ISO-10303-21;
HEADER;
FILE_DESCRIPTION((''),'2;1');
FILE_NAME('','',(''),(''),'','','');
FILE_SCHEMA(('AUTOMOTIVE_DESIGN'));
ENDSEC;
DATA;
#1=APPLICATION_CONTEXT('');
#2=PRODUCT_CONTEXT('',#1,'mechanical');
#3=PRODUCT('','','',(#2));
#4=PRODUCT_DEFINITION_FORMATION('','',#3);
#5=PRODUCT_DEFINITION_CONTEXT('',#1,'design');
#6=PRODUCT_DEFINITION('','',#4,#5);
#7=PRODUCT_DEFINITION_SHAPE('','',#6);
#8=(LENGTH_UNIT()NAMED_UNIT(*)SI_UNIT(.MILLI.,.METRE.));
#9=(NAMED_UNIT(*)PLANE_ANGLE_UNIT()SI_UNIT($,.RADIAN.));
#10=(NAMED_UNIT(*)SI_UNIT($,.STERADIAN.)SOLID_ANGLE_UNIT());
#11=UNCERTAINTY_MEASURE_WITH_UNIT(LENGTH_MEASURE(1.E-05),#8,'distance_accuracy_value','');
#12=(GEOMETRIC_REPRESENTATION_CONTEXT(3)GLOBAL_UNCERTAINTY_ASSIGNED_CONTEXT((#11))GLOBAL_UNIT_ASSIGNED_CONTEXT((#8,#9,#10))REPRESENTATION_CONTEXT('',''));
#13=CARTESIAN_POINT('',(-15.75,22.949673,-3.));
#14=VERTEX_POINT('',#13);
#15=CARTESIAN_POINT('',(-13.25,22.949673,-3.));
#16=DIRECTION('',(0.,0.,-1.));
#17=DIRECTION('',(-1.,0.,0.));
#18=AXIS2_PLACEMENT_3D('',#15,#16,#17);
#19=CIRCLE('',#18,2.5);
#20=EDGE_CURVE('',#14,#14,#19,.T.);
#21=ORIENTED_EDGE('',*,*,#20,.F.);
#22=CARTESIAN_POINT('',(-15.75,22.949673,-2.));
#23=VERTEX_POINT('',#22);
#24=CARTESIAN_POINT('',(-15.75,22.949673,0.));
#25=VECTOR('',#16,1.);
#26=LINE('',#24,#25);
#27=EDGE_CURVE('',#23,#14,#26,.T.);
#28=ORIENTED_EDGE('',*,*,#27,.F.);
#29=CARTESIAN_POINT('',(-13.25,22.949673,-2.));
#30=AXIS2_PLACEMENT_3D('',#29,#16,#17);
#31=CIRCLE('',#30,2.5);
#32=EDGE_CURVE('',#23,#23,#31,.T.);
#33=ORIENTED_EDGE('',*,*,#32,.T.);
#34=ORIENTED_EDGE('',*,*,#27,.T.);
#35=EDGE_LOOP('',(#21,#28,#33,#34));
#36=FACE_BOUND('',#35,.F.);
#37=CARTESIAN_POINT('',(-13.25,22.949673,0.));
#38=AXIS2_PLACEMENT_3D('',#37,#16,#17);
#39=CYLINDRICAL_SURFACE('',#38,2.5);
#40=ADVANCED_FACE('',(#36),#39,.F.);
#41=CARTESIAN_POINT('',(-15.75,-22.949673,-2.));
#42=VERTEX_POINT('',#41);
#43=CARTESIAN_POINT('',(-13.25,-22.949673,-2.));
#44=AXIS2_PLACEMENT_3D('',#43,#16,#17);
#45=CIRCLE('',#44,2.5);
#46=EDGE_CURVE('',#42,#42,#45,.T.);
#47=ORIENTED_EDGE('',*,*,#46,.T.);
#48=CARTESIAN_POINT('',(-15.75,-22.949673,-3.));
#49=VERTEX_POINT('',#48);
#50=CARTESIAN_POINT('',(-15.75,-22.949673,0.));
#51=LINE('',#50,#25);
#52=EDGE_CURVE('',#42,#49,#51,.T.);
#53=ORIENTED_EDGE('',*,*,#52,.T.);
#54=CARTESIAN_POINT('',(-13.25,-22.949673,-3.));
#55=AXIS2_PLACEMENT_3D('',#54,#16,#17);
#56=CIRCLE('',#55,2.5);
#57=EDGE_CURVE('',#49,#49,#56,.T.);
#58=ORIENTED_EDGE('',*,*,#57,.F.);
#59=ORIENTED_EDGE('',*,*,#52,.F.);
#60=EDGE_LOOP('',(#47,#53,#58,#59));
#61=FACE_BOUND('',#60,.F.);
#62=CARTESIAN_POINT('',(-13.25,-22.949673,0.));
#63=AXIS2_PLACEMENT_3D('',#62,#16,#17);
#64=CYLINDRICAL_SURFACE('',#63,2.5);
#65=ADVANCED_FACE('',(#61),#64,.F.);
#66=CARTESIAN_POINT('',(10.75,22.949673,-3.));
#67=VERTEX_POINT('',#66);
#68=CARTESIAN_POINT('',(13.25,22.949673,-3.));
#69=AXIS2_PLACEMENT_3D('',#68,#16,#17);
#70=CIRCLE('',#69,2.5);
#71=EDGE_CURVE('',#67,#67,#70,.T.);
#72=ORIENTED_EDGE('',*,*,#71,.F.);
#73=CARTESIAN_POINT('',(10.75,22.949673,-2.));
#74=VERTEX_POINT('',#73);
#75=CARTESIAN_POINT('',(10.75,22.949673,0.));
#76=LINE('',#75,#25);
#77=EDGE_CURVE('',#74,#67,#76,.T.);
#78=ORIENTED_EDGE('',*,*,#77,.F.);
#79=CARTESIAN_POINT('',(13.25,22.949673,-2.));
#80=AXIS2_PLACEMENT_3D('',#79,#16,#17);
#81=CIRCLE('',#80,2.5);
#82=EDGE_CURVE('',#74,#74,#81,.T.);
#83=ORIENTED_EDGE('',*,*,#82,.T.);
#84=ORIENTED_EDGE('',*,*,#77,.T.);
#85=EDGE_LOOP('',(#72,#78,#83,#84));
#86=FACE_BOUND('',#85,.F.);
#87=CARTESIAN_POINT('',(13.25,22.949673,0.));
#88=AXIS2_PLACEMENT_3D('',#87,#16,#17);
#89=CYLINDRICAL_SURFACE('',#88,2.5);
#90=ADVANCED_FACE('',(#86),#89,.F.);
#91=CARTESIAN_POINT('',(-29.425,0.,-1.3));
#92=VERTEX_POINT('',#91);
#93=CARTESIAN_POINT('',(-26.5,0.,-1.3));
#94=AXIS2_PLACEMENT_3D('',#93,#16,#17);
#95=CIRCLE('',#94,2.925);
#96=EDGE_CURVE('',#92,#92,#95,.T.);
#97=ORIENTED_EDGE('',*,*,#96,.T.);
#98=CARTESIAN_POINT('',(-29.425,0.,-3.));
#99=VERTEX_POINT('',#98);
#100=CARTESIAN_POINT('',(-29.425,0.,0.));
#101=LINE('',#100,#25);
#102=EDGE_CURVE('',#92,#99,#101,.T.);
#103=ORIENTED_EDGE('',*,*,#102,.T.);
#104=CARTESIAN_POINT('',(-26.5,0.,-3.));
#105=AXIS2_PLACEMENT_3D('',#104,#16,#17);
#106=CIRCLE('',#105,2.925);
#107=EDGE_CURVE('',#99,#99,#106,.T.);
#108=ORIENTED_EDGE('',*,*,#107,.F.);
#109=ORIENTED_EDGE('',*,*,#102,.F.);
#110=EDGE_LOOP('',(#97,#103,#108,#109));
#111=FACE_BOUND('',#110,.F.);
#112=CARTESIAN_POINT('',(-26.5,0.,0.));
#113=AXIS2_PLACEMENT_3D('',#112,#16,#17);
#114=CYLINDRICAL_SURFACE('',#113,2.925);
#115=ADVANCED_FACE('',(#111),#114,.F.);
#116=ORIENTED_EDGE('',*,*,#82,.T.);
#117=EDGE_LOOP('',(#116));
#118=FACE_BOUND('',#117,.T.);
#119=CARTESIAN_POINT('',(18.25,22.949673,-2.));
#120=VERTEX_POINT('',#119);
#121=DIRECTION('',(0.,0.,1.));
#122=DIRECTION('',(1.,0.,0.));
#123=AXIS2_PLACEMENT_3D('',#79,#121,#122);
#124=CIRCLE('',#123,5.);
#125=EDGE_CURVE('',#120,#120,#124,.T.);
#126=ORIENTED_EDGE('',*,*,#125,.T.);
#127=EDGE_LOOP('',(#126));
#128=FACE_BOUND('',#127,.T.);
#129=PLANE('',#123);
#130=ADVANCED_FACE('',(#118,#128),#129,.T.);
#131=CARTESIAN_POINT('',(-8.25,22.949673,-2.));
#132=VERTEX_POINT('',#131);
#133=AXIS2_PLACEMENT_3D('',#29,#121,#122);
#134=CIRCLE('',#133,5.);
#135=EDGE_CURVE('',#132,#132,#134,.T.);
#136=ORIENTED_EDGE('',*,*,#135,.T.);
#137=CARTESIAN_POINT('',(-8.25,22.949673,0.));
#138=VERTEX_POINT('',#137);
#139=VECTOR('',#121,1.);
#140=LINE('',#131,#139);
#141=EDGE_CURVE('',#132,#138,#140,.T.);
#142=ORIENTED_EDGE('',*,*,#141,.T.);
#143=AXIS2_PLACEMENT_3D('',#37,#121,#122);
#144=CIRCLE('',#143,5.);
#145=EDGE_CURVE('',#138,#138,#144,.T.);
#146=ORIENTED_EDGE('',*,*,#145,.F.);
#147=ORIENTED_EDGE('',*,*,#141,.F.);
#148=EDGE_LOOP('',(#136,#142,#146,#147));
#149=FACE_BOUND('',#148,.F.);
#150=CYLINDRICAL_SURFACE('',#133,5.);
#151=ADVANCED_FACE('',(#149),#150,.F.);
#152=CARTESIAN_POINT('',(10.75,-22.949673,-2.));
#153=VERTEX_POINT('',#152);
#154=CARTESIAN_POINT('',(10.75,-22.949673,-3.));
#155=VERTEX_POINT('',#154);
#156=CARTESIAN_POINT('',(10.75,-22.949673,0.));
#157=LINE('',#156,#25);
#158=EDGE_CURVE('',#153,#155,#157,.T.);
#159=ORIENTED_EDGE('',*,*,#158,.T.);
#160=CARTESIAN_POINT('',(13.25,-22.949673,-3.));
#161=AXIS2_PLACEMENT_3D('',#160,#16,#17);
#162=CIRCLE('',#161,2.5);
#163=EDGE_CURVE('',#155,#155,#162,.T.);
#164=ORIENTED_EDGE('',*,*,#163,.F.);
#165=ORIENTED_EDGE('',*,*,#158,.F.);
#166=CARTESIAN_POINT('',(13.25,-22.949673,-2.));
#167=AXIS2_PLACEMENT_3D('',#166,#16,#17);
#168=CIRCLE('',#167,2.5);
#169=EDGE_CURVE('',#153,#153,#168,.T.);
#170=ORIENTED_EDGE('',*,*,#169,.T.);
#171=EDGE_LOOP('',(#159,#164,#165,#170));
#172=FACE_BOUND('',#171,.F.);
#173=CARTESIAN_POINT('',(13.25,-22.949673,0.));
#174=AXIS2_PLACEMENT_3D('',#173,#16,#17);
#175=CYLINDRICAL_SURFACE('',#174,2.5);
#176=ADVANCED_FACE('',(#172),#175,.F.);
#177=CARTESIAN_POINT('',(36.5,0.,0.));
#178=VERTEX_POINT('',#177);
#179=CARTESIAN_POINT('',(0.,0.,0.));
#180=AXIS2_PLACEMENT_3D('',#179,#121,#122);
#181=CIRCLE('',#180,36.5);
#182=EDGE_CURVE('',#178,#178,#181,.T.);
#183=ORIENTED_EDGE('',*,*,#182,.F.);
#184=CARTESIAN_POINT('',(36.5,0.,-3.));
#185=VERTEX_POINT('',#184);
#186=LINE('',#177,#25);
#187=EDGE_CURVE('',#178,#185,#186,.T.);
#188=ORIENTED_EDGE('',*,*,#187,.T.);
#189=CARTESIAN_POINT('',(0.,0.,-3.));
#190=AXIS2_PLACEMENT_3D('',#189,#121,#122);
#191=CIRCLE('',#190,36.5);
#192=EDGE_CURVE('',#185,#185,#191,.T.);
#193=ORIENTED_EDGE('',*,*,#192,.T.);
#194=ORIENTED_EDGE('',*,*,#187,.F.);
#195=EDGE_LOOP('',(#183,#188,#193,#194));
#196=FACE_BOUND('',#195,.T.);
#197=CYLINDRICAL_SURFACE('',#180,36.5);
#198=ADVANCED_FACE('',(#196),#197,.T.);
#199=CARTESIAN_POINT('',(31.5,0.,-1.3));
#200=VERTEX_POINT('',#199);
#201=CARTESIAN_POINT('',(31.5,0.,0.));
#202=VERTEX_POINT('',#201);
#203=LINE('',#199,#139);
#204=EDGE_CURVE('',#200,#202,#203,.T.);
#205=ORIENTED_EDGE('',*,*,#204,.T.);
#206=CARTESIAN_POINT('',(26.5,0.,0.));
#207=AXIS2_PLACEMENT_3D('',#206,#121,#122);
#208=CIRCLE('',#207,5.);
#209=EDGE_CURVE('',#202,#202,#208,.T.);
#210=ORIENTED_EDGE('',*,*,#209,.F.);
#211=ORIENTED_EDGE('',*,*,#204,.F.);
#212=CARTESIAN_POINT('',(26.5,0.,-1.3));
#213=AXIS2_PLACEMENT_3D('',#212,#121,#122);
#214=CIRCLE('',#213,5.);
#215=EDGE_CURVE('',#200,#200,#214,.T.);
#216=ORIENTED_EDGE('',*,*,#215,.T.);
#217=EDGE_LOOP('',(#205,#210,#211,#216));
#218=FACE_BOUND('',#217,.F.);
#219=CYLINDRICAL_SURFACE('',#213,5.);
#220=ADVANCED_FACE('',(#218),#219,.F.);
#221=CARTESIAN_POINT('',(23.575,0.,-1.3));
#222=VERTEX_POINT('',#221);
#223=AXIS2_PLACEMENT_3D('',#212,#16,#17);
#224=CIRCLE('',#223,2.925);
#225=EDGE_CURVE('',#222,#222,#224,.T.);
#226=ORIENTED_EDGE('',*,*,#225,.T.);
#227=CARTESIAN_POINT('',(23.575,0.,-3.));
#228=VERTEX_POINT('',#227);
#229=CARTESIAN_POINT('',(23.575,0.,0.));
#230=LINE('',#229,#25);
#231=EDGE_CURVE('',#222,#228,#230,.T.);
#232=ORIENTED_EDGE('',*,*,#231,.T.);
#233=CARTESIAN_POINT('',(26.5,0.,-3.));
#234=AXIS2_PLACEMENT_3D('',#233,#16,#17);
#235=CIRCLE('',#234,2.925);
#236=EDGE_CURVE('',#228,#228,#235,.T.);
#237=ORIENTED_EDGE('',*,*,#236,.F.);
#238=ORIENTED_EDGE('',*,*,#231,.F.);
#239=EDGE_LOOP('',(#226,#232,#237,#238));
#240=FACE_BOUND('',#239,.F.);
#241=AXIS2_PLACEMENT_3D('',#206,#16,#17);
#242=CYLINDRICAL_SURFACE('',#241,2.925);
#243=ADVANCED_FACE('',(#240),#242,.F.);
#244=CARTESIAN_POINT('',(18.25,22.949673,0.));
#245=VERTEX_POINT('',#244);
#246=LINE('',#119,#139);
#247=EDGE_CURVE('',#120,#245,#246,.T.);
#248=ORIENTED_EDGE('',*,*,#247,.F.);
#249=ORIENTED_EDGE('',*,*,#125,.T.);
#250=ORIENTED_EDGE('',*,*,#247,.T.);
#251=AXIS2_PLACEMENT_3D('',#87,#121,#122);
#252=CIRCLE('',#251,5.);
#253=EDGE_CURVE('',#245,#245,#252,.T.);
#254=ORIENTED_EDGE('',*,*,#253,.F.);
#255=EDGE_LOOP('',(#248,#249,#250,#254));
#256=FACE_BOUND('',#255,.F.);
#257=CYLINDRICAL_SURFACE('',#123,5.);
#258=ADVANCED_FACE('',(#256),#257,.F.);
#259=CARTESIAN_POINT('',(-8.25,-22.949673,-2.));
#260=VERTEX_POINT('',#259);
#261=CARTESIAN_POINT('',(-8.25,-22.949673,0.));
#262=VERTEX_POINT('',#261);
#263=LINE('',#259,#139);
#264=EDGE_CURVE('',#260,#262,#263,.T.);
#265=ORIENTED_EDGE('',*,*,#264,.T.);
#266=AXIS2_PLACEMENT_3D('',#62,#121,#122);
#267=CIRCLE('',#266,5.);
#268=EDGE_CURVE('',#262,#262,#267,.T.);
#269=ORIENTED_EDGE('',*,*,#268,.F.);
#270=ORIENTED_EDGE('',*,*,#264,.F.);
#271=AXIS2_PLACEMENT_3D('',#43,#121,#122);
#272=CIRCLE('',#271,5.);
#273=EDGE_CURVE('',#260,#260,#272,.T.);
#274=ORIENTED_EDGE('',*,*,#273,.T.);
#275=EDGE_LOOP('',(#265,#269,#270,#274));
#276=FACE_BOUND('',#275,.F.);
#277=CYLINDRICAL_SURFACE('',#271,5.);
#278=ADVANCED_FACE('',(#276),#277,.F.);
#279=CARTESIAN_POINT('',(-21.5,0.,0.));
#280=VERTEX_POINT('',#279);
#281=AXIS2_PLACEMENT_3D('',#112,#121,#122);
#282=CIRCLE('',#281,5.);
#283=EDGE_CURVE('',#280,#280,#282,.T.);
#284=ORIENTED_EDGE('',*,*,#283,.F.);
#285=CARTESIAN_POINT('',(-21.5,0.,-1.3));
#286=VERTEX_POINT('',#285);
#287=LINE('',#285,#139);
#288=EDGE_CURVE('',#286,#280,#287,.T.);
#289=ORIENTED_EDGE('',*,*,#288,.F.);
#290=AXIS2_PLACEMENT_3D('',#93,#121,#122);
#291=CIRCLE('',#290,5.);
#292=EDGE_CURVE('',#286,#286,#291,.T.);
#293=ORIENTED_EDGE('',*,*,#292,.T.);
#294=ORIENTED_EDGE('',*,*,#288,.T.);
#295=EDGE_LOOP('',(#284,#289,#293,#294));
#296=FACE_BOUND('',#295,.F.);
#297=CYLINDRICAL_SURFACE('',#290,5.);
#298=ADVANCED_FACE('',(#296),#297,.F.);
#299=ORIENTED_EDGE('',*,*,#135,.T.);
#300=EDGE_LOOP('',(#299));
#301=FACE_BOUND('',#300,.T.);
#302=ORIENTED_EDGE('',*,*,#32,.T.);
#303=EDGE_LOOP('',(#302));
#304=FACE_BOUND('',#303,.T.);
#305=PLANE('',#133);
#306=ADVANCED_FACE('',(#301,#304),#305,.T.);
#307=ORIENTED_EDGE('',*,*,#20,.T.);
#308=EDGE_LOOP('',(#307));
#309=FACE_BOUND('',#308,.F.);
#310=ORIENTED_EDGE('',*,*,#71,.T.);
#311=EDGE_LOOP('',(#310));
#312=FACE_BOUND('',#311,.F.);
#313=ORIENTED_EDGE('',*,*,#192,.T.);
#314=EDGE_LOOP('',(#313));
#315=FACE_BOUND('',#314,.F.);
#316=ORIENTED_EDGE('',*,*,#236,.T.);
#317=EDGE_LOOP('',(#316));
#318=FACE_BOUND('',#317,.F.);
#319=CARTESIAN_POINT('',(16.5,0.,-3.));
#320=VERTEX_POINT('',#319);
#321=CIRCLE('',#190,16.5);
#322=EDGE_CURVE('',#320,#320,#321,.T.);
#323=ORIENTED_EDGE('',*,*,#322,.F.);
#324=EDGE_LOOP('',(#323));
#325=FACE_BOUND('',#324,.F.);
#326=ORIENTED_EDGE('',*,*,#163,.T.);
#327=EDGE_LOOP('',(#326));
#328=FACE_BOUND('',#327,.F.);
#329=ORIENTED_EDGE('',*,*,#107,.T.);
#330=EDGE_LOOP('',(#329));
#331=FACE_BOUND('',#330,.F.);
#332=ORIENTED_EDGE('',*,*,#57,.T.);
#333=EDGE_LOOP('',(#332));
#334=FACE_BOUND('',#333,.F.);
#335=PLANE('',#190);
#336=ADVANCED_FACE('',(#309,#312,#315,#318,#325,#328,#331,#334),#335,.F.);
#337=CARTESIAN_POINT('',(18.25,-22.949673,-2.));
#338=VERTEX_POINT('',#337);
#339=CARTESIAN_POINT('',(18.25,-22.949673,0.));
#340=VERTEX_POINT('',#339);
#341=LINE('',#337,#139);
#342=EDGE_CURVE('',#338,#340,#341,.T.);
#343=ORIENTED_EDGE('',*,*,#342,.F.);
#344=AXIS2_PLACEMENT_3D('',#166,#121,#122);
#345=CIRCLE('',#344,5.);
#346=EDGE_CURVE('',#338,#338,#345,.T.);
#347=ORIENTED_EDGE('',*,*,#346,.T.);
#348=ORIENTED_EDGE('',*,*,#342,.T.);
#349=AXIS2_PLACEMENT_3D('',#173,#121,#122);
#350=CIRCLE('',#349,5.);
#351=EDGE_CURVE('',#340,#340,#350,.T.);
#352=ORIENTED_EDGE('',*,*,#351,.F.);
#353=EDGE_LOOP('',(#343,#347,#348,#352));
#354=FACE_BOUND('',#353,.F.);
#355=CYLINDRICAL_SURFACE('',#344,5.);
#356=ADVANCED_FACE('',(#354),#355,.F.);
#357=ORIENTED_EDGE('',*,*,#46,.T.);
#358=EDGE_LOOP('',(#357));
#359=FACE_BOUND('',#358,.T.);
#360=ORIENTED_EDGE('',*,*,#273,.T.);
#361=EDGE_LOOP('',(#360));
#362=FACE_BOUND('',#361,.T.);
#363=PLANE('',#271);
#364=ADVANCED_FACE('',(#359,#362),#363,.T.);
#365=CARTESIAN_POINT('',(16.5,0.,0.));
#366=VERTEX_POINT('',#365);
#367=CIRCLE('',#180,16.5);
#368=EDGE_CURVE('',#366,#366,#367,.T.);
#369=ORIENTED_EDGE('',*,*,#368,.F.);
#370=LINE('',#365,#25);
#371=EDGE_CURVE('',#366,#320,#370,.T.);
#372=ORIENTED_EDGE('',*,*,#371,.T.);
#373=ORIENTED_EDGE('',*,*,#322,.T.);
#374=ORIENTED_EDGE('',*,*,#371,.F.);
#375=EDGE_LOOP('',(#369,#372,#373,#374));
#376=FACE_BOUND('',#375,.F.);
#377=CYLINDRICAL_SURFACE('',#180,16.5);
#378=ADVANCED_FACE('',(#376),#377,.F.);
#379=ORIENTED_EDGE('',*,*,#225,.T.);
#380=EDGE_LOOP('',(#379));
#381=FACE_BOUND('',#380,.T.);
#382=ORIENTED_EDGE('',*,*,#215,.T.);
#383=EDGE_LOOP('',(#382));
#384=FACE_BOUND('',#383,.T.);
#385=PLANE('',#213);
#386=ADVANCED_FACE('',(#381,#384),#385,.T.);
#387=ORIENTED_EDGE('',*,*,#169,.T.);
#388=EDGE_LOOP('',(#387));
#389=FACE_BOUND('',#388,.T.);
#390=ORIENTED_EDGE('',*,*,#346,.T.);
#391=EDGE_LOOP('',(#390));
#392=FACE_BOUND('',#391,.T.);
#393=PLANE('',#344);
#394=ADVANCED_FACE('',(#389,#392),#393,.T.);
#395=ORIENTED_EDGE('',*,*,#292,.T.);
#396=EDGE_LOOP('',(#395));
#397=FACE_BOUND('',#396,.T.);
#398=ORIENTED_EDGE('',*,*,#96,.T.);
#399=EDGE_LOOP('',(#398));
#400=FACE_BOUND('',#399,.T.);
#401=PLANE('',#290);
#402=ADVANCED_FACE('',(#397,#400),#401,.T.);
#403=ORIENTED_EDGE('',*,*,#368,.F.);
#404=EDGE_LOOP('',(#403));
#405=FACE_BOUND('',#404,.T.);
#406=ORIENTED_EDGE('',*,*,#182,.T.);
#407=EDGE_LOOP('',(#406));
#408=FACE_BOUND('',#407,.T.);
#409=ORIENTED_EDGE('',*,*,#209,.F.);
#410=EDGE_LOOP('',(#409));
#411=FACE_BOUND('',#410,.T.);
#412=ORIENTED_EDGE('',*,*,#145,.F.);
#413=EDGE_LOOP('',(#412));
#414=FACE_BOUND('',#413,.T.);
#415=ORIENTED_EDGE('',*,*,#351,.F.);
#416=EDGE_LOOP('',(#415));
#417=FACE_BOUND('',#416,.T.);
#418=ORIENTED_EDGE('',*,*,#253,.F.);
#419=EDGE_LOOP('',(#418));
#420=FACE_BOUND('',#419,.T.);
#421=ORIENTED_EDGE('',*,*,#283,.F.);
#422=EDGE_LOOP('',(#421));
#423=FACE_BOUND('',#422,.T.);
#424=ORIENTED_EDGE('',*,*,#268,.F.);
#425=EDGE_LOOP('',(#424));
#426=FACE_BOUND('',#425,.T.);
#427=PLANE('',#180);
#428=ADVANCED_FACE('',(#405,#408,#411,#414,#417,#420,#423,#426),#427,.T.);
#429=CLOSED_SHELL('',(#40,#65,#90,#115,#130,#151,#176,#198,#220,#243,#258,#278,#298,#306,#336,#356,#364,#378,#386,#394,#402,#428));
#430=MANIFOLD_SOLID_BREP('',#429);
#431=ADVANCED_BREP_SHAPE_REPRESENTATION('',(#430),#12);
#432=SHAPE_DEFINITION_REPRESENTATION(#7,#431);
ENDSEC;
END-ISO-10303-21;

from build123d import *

# Parameters (mm, degrees)
F0_R           = 36.5
F0_R_2         = 16.5
F1_DEPTH       = 3
F2_D           = 5
F2_CBORE_D     = 10
F2_CBORE_DEPTH = 2
F3_D           = 5.85
F3_CBORE_D     = 10
F3_CBORE_DEPTH = 1.3


with BuildPart() as f1:
    # F0 (on Top) → F1 (new body)
    with BuildSketch(Plane.XY):
        Circle(F0_R)
        Circle(F0_R_2, mode=Mode.SUBTRACT)
    extrude(amount=-F1_DEPTH)

    # F2 (through all)
    with Locations(Plane.XY):
        with Locations((-13.25, 22.949673), (13.25, 22.949673), (-13.25, -22.949673), (13.25, -22.949673)):
            CounterBoreHole(F2_D / 2, F2_CBORE_D / 2, F2_CBORE_DEPTH)

    # F3 (through all)
    with Locations(Plane.XY):
        with Locations((-26.5, 0), (26.5, 0)):
            CounterBoreHole(F3_D / 2, F3_CBORE_D / 2, F3_CBORE_DEPTH)


solid = f1.part
